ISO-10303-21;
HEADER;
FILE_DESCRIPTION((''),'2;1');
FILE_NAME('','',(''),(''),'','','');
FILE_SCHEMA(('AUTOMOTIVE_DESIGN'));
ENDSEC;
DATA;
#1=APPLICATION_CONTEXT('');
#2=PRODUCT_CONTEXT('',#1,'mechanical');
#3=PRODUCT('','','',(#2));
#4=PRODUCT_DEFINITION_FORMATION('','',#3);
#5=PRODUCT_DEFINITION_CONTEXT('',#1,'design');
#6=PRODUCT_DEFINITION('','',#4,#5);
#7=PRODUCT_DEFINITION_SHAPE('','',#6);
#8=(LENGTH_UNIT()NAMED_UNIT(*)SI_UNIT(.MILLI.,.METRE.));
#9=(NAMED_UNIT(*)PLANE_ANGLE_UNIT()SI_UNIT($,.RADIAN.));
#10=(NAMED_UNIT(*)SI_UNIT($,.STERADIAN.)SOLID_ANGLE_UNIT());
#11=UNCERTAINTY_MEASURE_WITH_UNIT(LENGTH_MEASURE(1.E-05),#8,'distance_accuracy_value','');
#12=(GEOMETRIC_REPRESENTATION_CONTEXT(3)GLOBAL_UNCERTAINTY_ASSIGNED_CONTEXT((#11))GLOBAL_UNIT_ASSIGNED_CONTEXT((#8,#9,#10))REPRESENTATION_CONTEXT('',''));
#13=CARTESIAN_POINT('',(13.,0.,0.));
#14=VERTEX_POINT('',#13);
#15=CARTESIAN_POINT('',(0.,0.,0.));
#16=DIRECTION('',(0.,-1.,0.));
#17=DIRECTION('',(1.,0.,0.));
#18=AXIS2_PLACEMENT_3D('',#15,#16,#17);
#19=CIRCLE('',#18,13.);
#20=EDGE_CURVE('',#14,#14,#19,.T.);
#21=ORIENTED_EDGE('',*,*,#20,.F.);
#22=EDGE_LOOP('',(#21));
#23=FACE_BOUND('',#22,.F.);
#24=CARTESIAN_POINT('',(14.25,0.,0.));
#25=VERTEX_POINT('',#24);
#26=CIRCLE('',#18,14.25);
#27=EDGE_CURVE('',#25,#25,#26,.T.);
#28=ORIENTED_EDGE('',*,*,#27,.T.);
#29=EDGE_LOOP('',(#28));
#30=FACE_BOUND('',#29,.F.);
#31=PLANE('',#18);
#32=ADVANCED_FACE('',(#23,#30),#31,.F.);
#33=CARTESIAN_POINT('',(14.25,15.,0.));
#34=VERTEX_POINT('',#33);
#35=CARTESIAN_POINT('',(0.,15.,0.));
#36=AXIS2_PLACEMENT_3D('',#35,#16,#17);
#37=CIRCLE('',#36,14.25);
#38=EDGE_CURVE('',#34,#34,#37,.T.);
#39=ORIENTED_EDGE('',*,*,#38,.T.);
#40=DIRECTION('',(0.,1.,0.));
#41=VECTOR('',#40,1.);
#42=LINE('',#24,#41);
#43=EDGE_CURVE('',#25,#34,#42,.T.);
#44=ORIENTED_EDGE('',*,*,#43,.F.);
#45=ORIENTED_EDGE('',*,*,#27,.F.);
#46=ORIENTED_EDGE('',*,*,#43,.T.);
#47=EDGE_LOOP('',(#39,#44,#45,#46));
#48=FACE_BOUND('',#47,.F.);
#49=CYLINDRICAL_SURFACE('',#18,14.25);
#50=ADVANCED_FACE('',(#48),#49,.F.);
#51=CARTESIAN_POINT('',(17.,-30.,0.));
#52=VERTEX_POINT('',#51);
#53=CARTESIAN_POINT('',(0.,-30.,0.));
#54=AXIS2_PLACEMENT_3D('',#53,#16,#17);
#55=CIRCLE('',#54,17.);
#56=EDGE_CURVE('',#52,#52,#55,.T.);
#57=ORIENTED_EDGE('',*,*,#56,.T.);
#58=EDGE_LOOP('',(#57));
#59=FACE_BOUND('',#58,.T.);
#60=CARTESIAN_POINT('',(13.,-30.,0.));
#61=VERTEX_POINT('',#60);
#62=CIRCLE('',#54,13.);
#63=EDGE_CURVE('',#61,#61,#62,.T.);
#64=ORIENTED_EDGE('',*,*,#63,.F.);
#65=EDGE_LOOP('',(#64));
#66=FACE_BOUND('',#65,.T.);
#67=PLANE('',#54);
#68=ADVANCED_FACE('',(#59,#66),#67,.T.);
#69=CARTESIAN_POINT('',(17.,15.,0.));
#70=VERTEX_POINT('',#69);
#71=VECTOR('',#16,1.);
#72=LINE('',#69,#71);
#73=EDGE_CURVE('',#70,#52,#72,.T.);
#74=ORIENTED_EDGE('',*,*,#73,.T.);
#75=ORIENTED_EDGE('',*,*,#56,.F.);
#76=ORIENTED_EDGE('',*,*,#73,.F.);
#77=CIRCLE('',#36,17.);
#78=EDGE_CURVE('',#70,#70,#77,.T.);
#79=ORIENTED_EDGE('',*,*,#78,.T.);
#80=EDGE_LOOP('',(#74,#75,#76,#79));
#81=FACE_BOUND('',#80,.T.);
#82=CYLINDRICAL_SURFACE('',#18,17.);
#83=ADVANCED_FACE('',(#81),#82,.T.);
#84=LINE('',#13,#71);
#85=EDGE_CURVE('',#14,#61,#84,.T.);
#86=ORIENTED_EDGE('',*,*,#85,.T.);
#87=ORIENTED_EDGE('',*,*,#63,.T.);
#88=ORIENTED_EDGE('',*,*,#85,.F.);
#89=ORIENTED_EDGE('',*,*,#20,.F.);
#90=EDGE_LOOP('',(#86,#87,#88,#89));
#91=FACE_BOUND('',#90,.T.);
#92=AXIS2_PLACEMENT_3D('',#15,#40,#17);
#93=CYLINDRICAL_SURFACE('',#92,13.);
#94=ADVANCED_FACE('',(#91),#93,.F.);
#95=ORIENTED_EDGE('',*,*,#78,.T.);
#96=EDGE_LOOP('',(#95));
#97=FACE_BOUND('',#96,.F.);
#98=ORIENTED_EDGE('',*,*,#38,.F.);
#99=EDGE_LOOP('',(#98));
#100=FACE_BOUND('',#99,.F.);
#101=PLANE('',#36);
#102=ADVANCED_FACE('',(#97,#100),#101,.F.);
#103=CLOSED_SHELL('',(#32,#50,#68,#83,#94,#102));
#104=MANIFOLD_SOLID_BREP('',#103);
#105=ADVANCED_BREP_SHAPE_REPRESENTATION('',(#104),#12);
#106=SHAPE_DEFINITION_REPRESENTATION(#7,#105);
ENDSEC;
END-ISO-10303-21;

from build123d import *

# Parameters (mm, degrees)
F0_R     = 17
F0_R_2   = 14.25
F0_R_3   = 13
F1_DEPTH = 30
F2_DEPTH = 15


with BuildPart() as f1:
    # F0 (on Front) → F1 (new body)
    with BuildSketch(Plane.XZ):
        Circle(F0_R)
        Circle(F0_R_2, mode=Mode.SUBTRACT)
        Circle(F0_R_2)
        Circle(F0_R_3, mode=Mode.SUBTRACT)
    extrude(amount=F1_DEPTH)

    # F0 (on Front) → F2 (join)
    with BuildSketch(Plane.XZ):
        Circle(F0_R)
        Circle(F0_R_2, mode=Mode.SUBTRACT)
    extrude(amount=-F2_DEPTH)


solid = f1.part
